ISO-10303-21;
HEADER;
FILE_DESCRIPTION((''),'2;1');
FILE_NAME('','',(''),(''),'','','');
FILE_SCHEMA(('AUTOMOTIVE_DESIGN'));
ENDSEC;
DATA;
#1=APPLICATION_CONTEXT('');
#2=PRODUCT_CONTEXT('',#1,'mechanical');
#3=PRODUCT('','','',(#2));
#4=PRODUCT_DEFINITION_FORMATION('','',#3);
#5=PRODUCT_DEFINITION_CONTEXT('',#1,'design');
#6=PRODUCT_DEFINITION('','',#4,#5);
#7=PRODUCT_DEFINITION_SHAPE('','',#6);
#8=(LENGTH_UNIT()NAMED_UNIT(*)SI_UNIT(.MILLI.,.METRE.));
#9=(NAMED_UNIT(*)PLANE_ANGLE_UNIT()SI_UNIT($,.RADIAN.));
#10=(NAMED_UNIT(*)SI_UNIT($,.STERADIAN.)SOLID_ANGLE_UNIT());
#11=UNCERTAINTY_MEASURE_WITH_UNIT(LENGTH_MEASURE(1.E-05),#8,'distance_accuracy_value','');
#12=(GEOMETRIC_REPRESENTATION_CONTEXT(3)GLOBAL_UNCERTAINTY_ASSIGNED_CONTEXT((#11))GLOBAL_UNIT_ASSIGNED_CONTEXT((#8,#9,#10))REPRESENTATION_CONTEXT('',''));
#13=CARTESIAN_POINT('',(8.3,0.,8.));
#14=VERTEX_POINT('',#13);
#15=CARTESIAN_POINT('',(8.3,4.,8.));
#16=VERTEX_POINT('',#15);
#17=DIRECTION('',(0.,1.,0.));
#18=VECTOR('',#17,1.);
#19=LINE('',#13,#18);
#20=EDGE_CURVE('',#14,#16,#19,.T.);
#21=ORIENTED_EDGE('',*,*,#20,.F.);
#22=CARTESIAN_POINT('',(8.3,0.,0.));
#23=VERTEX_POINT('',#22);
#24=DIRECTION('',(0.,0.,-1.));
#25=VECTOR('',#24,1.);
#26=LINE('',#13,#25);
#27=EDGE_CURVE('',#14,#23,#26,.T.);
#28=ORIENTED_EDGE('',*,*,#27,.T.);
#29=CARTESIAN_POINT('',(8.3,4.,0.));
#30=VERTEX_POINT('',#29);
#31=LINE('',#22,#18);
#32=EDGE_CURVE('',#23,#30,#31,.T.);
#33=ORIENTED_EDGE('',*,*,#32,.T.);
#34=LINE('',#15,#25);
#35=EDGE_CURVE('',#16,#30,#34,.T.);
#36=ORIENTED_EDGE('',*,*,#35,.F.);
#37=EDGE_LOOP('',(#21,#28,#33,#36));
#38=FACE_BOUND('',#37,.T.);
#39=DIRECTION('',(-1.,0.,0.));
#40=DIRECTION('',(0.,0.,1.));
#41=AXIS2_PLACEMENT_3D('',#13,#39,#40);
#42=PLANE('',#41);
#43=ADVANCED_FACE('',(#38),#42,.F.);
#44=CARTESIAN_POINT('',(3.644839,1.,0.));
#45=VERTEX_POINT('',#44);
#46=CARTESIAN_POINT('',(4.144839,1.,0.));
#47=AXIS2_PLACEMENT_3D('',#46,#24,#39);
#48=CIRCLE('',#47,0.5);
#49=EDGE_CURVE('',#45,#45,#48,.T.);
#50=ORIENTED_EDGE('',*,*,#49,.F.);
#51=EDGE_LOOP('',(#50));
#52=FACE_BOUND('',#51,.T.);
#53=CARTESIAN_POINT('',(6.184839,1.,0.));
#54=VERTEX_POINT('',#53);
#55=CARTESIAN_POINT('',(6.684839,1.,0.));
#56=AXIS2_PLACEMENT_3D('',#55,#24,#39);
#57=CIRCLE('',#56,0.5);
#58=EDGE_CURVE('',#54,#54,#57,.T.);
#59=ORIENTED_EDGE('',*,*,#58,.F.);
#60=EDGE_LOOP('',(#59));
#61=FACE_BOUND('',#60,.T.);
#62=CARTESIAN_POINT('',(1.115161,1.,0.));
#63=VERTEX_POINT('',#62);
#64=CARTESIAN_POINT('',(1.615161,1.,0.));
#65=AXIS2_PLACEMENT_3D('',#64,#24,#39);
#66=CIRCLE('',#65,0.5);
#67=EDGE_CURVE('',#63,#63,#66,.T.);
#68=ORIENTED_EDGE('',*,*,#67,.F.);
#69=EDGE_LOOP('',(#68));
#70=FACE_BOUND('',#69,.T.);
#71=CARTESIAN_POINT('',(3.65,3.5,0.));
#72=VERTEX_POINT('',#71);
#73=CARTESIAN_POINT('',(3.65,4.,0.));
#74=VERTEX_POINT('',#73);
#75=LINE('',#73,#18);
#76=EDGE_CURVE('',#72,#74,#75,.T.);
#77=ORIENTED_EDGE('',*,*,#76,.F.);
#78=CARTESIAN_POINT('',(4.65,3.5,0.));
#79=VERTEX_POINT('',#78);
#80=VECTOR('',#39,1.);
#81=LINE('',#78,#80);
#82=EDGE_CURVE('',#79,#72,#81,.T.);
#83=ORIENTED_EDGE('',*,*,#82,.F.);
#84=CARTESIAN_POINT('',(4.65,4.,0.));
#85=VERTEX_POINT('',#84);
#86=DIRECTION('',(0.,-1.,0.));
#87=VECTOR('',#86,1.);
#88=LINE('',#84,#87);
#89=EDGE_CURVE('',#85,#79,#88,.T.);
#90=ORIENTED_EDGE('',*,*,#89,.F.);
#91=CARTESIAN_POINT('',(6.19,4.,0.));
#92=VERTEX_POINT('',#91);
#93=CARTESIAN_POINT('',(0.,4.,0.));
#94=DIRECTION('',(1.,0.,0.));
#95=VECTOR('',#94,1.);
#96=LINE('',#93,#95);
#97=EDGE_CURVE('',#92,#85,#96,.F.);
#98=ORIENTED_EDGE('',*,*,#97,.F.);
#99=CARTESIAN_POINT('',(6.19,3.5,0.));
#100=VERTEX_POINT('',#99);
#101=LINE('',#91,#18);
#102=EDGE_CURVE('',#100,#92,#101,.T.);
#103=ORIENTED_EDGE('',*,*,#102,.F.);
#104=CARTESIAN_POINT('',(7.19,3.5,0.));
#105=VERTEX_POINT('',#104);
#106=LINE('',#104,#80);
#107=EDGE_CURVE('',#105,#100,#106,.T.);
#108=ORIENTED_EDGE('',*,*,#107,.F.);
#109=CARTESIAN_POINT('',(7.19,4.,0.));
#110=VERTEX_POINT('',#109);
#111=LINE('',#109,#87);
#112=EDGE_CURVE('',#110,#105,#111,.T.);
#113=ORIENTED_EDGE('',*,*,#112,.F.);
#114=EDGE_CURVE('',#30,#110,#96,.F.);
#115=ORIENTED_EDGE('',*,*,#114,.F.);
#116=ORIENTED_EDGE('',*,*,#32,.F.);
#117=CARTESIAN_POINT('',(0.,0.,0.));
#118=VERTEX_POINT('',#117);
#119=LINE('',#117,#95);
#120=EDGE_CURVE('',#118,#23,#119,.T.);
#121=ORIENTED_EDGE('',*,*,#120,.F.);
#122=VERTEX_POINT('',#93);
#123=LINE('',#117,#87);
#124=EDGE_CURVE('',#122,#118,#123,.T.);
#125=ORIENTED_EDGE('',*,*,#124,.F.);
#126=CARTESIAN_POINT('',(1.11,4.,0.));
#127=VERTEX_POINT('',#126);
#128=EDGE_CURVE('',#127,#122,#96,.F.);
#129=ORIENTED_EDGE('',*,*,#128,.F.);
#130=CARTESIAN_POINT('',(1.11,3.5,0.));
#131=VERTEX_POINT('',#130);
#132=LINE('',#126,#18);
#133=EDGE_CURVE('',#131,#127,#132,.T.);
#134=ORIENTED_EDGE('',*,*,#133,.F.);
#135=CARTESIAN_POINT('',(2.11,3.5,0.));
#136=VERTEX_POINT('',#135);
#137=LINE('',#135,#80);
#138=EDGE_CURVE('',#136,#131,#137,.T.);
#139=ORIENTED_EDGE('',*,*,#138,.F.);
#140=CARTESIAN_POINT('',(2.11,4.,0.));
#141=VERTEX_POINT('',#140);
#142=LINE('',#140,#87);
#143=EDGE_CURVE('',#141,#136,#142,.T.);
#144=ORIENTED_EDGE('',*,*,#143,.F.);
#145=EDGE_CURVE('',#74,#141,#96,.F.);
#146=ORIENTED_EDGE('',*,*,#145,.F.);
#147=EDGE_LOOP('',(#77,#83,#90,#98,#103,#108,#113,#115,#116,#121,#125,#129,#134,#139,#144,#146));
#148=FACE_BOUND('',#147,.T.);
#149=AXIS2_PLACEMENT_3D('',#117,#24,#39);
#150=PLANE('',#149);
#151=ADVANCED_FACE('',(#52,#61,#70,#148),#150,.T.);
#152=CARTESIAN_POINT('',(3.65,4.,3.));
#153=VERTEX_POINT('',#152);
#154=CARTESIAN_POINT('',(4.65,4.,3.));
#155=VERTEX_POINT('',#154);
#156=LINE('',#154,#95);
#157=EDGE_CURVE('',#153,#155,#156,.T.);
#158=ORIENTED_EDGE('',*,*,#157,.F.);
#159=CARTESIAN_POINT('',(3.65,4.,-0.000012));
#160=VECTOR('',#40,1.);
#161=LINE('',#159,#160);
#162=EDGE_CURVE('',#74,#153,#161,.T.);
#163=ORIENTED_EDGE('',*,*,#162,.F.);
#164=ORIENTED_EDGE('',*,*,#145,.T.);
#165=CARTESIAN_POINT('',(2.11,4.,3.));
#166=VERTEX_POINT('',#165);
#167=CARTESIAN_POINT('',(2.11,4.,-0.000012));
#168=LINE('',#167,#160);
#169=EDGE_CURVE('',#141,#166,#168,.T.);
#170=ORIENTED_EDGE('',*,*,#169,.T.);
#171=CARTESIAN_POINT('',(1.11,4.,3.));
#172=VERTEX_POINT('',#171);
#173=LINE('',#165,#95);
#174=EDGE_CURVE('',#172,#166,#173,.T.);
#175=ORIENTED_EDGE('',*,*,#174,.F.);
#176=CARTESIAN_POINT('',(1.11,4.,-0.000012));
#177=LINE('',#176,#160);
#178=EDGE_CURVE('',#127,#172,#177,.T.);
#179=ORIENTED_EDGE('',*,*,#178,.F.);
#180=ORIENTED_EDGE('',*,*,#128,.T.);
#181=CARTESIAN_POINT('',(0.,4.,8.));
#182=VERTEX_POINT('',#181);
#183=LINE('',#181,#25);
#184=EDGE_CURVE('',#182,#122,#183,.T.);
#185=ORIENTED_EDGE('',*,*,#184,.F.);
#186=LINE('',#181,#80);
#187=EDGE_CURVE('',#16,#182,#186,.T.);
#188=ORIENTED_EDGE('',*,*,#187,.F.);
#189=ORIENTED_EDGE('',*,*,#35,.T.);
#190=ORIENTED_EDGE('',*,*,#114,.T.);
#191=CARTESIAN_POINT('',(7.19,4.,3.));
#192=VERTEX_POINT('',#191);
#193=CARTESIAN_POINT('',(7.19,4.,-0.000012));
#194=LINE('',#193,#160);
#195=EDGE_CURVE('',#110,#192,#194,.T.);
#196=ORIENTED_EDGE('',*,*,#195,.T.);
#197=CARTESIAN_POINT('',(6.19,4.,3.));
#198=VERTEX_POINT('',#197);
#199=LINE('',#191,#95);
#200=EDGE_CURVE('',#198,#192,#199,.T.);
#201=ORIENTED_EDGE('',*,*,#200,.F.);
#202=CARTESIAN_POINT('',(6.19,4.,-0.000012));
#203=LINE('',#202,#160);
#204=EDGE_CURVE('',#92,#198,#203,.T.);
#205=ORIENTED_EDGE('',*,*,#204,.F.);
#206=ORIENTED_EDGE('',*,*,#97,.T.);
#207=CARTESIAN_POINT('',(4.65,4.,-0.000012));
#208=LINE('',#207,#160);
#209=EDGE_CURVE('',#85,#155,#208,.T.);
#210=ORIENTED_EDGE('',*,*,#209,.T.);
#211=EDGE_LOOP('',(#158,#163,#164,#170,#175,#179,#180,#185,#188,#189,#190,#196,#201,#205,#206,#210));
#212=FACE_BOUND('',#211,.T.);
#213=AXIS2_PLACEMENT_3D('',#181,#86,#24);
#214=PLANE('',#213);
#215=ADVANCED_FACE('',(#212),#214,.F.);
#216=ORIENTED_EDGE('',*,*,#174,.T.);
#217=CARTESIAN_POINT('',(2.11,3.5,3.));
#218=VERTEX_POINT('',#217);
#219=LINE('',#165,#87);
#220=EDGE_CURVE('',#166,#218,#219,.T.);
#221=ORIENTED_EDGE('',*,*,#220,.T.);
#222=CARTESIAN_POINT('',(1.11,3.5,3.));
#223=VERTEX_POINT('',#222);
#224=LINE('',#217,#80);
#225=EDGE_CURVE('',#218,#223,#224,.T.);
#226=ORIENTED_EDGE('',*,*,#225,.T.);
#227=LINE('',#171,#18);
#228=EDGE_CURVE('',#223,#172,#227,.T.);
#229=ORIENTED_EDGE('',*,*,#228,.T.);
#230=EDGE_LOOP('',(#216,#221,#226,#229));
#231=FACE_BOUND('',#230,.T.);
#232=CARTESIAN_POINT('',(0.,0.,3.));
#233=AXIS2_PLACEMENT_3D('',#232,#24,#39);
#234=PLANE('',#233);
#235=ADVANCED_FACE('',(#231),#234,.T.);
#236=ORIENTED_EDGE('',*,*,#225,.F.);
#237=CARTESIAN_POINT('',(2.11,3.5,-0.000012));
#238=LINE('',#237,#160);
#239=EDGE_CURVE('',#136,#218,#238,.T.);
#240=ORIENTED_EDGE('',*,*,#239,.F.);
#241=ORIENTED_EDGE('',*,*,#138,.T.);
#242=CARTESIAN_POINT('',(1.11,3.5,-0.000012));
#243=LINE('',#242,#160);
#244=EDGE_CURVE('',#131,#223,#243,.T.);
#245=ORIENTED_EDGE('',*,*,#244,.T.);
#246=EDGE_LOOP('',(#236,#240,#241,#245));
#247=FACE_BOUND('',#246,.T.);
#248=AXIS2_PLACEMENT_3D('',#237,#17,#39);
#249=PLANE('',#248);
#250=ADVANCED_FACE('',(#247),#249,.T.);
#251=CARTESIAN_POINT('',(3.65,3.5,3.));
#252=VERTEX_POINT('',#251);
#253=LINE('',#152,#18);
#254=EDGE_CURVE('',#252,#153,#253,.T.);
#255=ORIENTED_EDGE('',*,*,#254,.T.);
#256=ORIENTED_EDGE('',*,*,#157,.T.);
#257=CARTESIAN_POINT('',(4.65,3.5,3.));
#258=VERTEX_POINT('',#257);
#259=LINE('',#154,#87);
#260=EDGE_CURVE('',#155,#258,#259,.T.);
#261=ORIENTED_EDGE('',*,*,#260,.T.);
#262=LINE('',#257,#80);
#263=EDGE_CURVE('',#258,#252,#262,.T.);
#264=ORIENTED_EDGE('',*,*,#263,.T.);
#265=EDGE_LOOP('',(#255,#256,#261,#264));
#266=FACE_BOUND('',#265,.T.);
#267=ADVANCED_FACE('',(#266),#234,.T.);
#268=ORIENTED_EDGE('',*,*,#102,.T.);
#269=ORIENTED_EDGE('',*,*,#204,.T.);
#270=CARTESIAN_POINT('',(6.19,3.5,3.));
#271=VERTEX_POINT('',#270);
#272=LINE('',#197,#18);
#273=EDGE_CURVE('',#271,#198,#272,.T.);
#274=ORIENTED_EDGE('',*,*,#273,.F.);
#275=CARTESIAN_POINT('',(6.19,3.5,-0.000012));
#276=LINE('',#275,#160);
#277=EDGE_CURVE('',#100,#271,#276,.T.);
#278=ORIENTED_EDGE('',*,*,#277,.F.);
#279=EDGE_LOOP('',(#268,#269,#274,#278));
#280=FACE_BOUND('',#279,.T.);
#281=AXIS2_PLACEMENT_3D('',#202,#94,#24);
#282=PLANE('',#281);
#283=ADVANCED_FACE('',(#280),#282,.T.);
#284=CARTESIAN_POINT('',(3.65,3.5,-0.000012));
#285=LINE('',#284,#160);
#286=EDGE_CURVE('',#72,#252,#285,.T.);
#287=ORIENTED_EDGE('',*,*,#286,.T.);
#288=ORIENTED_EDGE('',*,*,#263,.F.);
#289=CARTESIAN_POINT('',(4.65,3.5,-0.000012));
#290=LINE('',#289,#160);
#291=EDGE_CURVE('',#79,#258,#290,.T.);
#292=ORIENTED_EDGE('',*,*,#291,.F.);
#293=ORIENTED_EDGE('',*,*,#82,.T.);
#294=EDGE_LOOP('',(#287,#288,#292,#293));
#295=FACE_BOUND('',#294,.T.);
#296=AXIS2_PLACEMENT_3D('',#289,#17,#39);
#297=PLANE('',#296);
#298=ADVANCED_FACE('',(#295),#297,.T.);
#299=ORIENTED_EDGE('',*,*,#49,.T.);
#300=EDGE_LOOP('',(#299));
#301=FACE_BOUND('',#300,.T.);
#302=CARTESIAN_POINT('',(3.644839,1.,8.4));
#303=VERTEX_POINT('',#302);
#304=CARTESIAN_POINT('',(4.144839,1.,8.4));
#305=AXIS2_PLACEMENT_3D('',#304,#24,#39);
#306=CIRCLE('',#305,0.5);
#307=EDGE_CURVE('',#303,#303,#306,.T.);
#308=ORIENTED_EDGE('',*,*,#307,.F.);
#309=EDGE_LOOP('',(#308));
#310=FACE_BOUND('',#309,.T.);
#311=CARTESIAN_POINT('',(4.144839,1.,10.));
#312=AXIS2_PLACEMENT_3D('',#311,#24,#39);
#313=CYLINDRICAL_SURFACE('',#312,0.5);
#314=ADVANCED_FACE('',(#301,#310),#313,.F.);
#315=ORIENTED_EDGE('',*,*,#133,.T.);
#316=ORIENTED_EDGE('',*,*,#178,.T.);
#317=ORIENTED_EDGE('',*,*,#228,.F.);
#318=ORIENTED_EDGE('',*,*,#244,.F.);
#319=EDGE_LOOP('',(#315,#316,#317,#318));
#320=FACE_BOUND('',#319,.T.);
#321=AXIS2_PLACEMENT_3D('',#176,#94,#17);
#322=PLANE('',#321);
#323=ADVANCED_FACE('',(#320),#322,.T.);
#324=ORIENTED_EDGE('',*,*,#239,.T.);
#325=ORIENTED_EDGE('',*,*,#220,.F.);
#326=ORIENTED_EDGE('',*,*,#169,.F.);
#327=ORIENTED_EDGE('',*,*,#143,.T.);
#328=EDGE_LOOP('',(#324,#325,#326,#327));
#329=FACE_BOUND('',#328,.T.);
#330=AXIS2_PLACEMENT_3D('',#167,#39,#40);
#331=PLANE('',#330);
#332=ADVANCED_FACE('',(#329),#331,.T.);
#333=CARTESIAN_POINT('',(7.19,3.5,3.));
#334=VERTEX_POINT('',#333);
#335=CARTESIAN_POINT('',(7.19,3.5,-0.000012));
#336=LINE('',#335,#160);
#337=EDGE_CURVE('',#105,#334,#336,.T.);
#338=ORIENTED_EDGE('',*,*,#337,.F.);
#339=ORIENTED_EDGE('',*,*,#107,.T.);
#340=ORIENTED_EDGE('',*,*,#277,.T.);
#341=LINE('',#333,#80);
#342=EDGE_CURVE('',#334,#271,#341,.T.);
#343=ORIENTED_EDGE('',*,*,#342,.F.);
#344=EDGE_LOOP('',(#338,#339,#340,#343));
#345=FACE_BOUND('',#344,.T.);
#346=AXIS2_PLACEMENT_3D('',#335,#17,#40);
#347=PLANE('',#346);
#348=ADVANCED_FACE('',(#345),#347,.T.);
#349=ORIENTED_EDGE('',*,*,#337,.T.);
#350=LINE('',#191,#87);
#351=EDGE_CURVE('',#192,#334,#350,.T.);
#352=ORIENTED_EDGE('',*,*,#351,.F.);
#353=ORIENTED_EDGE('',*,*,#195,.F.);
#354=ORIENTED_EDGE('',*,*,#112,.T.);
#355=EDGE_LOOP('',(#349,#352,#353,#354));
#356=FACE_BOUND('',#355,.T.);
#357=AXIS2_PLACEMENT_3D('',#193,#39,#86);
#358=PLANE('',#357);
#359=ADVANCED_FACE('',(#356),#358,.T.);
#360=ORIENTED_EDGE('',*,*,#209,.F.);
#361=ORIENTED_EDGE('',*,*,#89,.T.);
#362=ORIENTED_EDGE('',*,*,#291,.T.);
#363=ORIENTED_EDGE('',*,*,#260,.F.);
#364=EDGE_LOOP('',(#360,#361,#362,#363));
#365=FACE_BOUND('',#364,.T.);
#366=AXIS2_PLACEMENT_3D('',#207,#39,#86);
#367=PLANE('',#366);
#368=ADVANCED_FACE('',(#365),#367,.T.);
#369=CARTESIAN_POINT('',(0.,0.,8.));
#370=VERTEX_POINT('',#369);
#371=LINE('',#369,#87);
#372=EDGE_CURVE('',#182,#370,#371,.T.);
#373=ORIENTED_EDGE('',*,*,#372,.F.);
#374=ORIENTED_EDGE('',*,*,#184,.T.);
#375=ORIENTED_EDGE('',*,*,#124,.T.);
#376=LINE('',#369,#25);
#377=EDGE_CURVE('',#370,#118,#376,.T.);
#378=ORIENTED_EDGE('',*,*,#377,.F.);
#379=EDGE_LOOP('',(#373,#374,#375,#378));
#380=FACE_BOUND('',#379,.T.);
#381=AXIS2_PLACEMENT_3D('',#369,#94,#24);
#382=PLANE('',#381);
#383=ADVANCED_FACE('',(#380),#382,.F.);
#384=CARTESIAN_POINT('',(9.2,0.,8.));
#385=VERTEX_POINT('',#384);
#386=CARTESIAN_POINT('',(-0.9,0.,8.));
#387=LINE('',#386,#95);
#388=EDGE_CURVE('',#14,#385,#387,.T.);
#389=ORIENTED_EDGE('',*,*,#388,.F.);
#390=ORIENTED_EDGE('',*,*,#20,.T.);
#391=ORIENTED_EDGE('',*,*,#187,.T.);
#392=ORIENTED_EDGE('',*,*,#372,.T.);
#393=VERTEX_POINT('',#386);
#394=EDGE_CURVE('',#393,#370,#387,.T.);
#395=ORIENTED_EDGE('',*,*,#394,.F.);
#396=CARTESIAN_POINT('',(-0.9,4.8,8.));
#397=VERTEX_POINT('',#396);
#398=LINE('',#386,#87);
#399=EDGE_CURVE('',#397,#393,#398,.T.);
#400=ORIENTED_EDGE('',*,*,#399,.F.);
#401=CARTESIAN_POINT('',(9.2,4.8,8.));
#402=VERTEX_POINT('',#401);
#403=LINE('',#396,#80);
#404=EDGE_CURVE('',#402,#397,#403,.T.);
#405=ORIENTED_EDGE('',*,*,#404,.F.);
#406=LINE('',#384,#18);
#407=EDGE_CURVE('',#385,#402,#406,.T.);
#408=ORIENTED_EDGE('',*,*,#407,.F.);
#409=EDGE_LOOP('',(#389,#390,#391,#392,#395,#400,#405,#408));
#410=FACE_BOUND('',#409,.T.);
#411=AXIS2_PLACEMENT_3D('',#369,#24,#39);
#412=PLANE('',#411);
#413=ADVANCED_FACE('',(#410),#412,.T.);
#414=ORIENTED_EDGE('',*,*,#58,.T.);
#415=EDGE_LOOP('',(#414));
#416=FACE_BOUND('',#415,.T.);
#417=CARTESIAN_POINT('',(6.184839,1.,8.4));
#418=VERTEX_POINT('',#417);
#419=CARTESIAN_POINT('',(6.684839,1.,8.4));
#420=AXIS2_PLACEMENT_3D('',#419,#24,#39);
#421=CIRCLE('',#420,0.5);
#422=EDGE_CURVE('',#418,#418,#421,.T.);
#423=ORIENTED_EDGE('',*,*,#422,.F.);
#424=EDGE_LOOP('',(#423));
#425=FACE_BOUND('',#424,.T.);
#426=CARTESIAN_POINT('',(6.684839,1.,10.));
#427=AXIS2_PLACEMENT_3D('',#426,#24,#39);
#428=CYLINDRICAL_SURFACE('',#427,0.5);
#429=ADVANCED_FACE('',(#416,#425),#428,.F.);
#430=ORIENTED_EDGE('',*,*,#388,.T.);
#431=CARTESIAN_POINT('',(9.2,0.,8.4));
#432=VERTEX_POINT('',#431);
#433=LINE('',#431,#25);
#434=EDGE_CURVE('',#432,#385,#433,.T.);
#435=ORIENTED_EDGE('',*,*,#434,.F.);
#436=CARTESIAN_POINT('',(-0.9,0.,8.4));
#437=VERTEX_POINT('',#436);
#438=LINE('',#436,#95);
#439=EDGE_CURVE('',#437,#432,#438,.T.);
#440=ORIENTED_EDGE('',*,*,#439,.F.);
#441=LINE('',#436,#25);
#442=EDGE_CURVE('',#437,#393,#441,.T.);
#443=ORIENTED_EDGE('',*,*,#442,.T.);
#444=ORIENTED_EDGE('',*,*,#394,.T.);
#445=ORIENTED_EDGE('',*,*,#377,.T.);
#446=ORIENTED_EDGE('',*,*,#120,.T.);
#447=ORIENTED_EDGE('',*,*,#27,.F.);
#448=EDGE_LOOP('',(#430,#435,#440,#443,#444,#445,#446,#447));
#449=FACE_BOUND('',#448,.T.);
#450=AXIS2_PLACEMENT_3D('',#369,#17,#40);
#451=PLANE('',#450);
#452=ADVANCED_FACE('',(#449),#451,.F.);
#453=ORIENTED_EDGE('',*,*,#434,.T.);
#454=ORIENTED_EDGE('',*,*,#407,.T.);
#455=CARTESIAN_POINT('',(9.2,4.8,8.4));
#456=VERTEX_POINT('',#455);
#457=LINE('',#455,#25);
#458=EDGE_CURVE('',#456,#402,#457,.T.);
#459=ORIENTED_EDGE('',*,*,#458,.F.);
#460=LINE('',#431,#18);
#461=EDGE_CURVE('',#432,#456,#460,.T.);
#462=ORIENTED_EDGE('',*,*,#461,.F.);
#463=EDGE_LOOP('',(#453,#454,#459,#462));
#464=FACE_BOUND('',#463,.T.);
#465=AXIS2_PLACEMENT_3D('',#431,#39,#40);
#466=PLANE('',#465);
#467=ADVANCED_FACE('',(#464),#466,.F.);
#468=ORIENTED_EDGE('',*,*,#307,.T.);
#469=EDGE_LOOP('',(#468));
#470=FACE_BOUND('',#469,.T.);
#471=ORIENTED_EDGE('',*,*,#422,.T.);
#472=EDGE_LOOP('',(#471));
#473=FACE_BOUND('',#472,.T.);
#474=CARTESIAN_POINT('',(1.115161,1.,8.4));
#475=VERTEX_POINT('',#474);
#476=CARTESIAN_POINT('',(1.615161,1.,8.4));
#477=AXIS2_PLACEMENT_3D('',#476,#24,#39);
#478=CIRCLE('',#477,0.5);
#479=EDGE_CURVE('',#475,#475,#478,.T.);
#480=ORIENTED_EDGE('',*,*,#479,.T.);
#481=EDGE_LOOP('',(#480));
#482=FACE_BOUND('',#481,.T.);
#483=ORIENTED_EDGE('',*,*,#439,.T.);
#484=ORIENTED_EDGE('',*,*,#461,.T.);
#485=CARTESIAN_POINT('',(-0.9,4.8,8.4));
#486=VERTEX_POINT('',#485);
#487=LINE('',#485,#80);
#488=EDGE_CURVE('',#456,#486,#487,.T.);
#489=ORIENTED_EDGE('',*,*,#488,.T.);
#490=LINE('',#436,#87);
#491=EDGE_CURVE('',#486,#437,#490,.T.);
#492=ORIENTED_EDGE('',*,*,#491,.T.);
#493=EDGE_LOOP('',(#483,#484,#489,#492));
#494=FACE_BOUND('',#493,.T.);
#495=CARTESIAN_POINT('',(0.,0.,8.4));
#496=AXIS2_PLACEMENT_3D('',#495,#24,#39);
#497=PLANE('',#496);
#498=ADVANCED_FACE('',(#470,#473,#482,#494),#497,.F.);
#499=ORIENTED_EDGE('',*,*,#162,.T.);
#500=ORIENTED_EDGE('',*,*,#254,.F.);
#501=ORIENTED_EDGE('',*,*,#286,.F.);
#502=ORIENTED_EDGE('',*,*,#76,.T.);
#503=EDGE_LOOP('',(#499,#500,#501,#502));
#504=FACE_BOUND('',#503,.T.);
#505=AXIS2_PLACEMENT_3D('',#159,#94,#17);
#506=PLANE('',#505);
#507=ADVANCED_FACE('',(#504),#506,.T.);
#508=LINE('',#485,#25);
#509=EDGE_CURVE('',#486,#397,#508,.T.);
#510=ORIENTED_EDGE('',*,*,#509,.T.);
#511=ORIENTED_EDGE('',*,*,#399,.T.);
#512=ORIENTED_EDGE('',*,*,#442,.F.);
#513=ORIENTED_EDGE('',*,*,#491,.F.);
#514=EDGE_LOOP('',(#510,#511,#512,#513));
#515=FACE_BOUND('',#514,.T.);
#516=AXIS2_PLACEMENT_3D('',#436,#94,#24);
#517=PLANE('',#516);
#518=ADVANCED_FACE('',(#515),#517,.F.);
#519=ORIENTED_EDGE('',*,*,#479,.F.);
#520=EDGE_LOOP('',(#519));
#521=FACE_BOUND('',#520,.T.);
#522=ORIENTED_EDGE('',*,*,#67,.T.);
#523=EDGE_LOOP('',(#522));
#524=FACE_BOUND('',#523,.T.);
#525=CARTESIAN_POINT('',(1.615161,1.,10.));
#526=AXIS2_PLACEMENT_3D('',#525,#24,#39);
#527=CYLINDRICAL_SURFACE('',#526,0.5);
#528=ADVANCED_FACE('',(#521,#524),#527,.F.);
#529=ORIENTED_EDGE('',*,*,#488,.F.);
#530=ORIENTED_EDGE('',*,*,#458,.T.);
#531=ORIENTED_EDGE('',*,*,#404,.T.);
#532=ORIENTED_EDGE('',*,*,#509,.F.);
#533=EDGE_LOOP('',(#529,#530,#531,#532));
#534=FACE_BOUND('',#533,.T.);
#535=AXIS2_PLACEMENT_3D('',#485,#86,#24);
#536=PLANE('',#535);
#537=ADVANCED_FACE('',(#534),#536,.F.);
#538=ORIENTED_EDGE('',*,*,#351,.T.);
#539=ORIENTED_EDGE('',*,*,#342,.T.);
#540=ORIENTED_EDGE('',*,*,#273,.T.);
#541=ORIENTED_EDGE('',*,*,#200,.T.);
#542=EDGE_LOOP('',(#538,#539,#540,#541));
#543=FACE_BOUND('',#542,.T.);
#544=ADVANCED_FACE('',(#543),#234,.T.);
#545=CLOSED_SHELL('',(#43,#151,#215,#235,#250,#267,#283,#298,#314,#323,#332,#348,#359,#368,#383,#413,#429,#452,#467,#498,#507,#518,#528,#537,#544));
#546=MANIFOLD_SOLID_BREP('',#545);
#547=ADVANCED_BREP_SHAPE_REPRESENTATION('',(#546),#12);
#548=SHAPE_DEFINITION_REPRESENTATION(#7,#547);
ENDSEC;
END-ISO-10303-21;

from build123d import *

# Parameters (mm, degrees)
SKETCH_2_W               = 8.3
SKETCH_2_H               = 4
EXTRUDE_1_DEPTH          = 8
SKETCH_3_W               = 10.1
SKETCH_3_H               = 4.8
EXTRUDE_2_DEPTH          = 0.4
CUT_EXTRUDE_1_DEPTH      = 14.350655415
CUT_EXTRUDE_1_DEPTH_BACK = 3
SKETCH_4_W               = 1
SKETCH_4_H               = 0.5
SKETCH_5_R               = 0.5
CUT_EXTRUDE_2_DEPTH      = 10


with BuildPart() as part:
    # 草图2 → 凸台-拉伸1 (new body)
    with BuildSketch(Plane.XY):
        with Locations((4.15, 2)):
            Rectangle(SKETCH_2_W, SKETCH_2_H)
    extrude(amount=EXTRUDE_1_DEPTH)

    # 草图3 → 凸台-拉伸2 (add)
    with BuildSketch(Plane.XY.offset(8)):
        with Locations((4.15, 2.4)):
            Rectangle(SKETCH_3_W, SKETCH_3_H)
    extrude(amount=EXTRUDE_2_DEPTH)

    # 草图4 → 切除-拉伸1 (cut, two sides: drawn at the far end of the back side and taken through both)
    with BuildSketch(Plane(origin=(0, 0, 0), x_dir=(-1, 0, 0), z_dir=(0, 0, -1)).offset(-CUT_EXTRUDE_1_DEPTH_BACK)):
        with Locations((-4.15, 3.75)):
            Rectangle(SKETCH_4_W, SKETCH_4_H)
        with Locations((-6.69, 3.75)):
            Rectangle(SKETCH_4_W, SKETCH_4_H)
        with Locations((-1.61, 3.75)):
            Rectangle(SKETCH_4_W, SKETCH_4_H)
    extrude(amount=CUT_EXTRUDE_1_DEPTH + CUT_EXTRUDE_1_DEPTH_BACK, mode=Mode.SUBTRACT)

    # 草图5 → 切除-拉伸2 (cut)
    with BuildSketch(Plane(origin=(0, 0, 0), x_dir=(-1, 0, 0), z_dir=(0, 0, -1))):
        with Locations((-6.684838564, 1)):
            Circle(SKETCH_5_R)
        with Locations((-4.144838564, 1)):
            Circle(SKETCH_5_R)
        with Locations((-1.615161436, 1)):
            Circle(SKETCH_5_R)
    extrude(amount=-CUT_EXTRUDE_2_DEPTH, mode=Mode.SUBTRACT)


solid = part.part
